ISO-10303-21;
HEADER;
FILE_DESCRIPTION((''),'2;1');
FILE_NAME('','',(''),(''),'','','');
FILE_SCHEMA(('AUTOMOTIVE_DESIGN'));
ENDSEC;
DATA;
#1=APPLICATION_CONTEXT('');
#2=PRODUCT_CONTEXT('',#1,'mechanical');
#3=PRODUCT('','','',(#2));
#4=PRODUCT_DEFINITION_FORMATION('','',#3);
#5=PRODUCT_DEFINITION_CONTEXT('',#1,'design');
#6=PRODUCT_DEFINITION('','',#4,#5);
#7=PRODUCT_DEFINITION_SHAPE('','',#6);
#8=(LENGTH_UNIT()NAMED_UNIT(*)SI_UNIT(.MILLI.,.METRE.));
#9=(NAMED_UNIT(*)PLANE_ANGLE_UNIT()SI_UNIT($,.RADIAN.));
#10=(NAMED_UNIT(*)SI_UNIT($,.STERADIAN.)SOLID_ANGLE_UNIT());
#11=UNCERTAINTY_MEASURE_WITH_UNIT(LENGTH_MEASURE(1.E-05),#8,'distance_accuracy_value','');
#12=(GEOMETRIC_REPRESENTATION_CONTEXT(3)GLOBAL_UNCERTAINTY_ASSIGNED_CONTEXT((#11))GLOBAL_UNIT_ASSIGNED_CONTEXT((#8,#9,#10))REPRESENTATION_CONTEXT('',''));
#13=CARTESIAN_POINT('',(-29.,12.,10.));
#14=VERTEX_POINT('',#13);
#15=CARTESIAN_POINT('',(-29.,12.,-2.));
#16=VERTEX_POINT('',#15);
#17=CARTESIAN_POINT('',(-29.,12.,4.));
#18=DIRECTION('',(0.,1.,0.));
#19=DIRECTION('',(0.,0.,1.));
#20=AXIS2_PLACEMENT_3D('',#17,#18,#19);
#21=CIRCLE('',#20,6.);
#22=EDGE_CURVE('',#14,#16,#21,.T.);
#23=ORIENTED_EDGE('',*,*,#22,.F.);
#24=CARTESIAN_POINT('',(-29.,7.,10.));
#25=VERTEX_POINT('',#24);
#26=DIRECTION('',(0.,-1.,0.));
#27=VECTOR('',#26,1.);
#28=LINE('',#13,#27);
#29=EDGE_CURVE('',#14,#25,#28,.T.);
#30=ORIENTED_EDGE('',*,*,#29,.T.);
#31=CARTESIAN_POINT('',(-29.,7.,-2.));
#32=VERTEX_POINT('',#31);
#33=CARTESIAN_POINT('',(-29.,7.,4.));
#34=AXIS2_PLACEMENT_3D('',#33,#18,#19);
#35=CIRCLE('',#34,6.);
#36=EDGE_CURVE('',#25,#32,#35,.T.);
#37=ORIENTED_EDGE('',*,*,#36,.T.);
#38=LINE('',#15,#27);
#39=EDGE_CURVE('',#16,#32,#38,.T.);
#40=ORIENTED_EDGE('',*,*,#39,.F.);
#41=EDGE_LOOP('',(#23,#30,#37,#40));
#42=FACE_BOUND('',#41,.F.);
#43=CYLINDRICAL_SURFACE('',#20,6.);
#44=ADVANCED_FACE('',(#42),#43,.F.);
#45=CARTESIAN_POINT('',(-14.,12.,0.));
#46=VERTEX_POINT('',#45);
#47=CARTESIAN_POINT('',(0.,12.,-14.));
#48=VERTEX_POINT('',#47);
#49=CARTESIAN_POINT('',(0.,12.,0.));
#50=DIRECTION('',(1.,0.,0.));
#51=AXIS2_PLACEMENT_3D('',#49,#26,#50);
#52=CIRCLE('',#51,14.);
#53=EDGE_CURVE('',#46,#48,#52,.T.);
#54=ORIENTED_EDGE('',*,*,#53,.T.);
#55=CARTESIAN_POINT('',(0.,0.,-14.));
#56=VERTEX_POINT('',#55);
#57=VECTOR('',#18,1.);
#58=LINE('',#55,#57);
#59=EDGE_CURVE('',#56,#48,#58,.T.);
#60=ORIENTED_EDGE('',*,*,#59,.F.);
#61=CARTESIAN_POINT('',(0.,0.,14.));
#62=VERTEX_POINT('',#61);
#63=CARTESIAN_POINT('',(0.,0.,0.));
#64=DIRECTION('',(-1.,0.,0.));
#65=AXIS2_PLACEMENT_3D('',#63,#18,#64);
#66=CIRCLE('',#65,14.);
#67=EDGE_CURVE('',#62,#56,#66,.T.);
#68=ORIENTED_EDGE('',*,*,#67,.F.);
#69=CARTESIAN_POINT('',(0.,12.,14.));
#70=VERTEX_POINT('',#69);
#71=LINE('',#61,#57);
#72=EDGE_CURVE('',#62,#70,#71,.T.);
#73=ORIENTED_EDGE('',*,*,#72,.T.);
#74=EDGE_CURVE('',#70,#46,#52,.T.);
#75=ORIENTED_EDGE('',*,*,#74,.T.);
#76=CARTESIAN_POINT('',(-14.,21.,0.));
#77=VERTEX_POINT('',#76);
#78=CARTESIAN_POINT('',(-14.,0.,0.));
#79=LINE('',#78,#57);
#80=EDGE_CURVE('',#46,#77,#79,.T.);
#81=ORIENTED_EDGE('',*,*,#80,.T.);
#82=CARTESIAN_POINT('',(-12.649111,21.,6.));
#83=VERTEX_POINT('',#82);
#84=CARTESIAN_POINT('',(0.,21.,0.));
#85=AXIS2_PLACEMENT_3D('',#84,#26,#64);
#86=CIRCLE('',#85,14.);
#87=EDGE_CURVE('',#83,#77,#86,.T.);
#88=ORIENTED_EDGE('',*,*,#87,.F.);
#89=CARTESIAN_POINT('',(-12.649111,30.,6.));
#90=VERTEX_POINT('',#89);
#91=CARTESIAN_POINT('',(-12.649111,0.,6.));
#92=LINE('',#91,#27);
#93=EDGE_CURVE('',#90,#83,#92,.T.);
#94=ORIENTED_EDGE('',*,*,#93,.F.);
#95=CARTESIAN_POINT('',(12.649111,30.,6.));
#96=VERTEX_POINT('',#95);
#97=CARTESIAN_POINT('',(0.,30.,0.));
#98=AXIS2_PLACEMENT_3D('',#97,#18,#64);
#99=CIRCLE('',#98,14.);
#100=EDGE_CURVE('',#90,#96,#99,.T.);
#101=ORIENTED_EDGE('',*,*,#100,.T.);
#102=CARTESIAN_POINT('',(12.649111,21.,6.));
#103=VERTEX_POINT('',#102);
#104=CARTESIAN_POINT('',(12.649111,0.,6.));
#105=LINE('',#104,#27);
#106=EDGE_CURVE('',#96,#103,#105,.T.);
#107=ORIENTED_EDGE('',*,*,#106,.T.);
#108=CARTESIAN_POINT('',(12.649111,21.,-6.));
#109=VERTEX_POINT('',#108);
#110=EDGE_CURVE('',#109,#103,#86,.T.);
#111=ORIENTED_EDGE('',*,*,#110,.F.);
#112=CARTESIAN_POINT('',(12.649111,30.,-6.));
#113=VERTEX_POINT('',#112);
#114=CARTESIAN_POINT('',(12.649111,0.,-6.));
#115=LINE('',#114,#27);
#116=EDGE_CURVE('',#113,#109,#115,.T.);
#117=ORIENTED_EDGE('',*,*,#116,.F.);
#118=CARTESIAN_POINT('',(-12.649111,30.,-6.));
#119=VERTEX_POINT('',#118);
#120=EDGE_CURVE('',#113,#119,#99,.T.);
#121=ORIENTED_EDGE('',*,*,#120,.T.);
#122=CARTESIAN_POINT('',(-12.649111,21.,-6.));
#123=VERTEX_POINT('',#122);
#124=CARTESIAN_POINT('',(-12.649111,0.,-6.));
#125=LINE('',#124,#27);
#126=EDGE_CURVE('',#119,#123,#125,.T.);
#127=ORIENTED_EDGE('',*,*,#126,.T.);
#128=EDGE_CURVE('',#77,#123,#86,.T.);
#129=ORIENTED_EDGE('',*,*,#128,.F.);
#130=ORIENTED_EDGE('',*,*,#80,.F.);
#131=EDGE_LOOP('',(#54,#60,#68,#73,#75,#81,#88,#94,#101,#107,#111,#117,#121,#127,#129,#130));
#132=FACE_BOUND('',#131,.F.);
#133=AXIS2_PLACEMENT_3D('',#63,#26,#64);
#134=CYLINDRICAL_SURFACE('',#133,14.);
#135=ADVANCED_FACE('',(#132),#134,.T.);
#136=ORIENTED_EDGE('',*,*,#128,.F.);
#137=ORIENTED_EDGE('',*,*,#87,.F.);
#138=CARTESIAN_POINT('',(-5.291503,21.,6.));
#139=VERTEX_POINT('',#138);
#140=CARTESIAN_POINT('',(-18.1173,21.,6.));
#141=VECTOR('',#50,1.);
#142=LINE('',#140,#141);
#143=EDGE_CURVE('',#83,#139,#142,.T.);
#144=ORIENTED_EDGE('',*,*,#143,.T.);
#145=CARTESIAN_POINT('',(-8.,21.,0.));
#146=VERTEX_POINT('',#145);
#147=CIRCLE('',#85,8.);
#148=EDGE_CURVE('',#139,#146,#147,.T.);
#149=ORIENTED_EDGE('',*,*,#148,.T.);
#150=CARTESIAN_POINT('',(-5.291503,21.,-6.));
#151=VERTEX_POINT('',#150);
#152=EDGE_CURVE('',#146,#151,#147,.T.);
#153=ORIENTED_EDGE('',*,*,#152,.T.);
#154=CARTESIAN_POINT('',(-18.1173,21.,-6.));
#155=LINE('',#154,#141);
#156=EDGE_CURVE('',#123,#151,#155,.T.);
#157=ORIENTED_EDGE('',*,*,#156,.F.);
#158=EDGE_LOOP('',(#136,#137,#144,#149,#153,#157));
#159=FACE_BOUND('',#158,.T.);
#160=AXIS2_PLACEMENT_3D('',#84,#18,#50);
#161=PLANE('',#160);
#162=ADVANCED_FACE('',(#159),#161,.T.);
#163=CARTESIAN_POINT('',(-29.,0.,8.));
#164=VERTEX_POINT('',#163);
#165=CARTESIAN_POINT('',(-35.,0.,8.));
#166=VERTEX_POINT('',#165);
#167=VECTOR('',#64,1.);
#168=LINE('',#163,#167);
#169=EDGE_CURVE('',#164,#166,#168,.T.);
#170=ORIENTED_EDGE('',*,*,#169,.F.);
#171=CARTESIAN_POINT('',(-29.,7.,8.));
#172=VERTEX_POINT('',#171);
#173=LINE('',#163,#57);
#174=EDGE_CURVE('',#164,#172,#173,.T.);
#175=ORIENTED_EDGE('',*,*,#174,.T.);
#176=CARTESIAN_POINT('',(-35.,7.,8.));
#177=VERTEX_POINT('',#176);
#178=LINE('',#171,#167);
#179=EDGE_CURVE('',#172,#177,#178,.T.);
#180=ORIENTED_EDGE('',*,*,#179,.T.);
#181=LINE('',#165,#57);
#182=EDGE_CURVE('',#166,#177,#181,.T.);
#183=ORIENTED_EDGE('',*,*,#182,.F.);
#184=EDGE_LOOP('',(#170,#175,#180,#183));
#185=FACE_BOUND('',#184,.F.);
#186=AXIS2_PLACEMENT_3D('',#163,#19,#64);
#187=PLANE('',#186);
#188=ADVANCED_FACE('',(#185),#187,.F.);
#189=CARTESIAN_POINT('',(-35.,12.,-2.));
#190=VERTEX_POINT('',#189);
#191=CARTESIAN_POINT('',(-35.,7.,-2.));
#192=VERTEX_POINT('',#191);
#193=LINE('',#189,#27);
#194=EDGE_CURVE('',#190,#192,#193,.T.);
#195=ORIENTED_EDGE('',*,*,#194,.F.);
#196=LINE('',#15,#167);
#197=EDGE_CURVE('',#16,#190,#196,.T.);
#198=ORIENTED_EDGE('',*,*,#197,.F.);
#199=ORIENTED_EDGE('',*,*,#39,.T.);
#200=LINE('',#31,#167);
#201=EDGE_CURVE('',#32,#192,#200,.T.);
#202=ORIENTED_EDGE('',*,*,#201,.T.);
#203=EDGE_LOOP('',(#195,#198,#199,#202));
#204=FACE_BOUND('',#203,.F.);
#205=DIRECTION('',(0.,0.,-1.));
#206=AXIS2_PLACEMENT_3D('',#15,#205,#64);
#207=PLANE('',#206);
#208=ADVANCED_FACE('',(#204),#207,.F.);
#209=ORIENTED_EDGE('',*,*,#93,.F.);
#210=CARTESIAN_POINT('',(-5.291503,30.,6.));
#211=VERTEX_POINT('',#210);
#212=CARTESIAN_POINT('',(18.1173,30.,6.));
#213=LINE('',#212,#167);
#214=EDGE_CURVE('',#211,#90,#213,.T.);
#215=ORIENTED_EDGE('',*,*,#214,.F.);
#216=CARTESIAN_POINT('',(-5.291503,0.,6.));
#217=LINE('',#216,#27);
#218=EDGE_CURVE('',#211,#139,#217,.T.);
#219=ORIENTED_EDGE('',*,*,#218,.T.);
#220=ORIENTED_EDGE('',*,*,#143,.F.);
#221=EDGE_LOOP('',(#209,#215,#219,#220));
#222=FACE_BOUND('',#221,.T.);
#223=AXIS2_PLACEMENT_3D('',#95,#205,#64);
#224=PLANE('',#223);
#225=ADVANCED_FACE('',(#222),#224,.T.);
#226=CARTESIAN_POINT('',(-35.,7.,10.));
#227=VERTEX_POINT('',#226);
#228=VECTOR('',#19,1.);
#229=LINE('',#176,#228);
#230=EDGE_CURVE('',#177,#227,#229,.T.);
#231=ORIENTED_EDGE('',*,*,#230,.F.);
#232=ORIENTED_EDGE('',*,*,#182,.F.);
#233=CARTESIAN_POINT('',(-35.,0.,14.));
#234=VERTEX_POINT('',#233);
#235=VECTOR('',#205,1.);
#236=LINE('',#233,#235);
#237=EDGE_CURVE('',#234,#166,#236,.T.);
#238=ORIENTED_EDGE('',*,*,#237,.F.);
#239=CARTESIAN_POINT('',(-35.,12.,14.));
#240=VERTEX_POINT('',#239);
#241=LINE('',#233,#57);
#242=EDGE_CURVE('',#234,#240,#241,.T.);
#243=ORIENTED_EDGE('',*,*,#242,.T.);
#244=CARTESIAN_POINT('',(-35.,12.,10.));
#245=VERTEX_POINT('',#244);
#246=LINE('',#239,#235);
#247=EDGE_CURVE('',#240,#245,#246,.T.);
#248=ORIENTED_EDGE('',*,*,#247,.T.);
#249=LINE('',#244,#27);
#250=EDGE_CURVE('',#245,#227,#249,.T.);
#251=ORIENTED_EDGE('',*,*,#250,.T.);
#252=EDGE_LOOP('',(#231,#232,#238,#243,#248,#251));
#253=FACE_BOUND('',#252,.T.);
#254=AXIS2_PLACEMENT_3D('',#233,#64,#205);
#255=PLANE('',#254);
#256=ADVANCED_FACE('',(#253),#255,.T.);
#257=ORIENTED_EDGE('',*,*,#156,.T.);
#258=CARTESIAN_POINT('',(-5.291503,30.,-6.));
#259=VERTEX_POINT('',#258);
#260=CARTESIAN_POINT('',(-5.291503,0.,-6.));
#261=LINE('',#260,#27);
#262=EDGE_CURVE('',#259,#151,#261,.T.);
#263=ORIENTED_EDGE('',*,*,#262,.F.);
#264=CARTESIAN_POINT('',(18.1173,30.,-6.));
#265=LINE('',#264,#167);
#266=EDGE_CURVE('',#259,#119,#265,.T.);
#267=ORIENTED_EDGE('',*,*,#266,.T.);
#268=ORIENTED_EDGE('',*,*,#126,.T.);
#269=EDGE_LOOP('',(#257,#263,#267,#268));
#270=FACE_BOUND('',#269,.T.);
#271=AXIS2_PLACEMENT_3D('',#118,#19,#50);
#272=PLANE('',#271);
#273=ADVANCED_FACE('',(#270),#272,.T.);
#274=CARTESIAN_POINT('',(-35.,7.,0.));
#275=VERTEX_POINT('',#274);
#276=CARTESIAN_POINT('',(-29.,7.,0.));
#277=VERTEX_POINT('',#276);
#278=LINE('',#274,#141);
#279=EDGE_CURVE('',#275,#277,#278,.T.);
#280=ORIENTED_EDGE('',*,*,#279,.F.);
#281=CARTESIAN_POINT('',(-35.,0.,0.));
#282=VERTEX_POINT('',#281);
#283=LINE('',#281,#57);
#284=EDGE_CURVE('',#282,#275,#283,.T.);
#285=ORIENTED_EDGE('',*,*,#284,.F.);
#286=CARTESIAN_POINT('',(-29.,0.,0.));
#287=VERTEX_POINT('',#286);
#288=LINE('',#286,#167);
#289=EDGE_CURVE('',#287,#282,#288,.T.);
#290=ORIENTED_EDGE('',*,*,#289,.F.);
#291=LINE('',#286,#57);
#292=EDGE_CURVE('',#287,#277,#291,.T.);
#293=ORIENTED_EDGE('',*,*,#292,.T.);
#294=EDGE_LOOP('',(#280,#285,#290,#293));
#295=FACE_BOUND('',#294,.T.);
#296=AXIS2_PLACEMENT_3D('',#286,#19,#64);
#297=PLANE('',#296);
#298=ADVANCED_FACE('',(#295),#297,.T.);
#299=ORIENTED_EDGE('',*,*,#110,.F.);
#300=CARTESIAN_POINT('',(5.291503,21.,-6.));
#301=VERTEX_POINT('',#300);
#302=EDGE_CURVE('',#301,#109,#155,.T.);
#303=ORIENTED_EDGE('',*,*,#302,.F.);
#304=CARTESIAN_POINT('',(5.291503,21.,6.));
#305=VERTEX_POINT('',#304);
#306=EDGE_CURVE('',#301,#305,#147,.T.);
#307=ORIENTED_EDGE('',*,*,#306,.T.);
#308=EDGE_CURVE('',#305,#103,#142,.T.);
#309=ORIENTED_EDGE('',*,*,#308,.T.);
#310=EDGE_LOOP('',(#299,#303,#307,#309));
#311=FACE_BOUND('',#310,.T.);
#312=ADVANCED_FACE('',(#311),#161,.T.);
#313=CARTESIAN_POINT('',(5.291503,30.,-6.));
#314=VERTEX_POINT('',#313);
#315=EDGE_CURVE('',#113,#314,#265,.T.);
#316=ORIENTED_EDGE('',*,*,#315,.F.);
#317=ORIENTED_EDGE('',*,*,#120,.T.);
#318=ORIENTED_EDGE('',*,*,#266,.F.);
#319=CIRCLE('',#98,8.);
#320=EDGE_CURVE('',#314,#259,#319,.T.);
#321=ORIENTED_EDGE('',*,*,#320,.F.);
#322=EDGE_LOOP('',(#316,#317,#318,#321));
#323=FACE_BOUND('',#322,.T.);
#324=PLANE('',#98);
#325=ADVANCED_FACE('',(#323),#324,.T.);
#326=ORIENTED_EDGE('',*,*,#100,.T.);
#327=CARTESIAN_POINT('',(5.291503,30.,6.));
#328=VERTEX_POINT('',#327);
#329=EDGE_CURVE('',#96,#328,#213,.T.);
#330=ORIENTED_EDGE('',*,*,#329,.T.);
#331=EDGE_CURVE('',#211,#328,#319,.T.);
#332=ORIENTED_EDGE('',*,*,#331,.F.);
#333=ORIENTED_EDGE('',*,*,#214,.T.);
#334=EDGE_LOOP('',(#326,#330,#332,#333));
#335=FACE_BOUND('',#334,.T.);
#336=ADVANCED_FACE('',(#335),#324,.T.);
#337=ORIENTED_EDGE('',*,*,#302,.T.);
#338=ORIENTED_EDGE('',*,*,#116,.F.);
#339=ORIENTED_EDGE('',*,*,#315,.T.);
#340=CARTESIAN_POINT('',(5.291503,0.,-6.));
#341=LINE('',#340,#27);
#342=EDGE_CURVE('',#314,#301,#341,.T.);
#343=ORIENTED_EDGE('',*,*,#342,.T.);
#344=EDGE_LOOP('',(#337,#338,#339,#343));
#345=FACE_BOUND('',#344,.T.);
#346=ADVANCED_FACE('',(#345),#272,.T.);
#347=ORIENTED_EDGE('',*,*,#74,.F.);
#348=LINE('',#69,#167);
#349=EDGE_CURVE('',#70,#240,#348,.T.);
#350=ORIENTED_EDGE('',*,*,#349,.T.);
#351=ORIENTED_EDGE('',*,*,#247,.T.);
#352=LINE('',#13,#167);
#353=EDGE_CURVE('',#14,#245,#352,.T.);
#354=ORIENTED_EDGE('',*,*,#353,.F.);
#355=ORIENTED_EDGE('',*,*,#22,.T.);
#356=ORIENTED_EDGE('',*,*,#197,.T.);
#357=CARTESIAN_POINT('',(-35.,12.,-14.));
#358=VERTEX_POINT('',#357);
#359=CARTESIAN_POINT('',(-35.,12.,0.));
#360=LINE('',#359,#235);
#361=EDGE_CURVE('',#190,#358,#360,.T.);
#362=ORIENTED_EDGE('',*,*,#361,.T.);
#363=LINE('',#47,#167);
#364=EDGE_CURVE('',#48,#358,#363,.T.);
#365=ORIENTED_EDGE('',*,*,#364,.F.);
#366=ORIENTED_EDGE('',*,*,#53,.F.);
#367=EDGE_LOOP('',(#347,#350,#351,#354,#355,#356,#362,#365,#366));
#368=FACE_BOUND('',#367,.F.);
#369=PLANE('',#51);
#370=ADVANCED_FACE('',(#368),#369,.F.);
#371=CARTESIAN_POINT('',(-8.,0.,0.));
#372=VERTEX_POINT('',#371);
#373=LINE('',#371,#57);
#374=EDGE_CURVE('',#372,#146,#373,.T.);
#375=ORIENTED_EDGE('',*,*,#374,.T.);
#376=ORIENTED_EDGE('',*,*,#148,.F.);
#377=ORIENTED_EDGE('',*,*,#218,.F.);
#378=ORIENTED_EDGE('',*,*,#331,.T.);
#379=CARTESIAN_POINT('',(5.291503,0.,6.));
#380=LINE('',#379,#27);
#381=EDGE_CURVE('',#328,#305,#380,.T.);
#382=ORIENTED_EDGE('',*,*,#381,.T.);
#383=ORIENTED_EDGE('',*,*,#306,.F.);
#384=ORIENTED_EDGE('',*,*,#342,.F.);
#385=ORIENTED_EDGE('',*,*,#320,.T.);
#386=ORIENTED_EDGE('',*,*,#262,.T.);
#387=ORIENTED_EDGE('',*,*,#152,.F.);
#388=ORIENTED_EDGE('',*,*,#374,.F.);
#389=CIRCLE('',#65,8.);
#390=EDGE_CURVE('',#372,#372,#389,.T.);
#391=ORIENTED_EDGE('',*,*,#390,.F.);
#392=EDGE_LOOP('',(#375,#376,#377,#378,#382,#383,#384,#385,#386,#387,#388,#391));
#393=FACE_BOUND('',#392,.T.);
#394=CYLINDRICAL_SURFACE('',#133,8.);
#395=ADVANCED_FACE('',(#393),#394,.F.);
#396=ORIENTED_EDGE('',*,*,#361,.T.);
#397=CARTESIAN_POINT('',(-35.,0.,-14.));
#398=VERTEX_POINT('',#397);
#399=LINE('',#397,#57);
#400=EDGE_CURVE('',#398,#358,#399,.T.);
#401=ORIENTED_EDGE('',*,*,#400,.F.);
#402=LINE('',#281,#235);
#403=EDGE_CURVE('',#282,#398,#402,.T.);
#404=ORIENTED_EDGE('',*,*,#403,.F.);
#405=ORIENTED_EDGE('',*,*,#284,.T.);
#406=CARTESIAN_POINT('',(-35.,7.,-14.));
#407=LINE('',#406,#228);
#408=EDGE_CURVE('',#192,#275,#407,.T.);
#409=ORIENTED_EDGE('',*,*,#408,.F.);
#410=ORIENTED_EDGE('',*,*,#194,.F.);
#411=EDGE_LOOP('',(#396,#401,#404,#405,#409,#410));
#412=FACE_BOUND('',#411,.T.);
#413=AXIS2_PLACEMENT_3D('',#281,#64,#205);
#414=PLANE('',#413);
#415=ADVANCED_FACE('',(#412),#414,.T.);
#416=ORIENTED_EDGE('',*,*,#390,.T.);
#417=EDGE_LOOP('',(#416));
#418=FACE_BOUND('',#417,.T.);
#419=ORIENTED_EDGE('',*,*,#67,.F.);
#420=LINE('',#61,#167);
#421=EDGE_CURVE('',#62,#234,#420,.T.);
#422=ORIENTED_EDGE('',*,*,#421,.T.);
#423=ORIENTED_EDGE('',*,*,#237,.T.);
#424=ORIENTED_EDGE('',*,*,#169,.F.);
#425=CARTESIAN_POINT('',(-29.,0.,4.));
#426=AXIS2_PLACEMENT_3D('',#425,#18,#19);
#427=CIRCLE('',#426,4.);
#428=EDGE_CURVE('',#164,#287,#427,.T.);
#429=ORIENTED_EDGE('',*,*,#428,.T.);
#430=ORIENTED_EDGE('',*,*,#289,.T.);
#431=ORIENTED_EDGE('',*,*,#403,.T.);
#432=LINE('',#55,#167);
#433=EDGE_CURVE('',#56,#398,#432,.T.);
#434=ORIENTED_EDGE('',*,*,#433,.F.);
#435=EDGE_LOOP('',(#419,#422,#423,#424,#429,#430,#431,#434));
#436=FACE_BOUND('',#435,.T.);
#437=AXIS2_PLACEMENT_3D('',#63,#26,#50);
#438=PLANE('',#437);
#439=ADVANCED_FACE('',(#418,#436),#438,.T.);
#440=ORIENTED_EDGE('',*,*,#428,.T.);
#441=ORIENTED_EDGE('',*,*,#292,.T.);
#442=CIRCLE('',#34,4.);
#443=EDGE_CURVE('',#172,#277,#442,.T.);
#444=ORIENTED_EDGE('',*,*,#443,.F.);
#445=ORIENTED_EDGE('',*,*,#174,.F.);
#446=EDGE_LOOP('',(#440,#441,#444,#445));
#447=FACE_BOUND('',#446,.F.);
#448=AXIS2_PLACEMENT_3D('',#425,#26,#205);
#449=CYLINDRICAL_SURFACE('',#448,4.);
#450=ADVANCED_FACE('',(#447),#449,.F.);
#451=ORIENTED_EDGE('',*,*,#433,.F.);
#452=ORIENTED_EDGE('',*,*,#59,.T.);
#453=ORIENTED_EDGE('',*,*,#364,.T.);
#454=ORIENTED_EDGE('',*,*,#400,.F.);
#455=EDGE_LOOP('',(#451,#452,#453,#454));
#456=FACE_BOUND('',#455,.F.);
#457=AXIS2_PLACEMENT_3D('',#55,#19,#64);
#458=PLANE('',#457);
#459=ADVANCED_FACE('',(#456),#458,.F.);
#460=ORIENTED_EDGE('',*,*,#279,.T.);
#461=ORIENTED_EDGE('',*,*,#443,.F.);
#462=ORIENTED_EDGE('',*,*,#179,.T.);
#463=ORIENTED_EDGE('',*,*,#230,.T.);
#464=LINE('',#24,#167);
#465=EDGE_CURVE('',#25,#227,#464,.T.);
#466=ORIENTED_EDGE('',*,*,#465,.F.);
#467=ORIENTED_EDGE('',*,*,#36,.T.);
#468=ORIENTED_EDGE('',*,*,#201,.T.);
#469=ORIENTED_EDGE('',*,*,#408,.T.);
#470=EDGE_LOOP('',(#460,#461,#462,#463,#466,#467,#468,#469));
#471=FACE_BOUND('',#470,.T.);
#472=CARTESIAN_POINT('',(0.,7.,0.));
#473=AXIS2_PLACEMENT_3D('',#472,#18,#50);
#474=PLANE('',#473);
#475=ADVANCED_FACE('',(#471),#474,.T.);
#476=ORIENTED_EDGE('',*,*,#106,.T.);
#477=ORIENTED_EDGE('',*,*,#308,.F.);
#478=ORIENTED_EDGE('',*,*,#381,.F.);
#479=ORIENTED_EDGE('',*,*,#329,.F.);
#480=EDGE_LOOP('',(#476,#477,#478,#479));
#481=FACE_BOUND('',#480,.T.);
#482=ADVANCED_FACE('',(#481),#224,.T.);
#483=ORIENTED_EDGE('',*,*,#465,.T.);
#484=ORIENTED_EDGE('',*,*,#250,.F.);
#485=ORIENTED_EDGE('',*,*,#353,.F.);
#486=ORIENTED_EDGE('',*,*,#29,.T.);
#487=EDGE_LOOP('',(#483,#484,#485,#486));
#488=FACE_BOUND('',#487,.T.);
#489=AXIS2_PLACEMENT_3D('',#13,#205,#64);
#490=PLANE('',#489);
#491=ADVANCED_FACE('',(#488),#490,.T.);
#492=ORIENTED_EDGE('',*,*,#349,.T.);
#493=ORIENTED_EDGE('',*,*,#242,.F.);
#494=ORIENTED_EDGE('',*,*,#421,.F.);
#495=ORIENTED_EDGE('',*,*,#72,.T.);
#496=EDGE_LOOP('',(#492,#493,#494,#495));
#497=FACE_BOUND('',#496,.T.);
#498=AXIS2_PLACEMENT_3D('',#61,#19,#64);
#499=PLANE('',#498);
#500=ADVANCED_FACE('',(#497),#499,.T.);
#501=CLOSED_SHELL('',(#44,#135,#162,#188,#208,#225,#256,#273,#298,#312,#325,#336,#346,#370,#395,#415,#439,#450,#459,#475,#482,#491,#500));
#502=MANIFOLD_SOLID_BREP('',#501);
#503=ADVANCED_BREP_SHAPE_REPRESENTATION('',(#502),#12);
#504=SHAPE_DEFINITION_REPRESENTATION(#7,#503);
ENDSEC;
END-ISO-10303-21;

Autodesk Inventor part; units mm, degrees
ref_plane "YZ Plane" through (0, 0, 0) normal (1, 0, 0) x (0, 1, 0)
ref_plane "XZ Plane" through (0, 0, 0) normal (0, 1, 0) x (-1, 0, 0)
ref_plane "XY Plane" through (0, 0, 0) normal (0, 0, 1) x (1, 0, 0)
sketch "草图1" plane through (0, 0, 0) normal (0, 1, 0) x (-1, 0, 0)
  circle A0 centre (0, 0) radius 8
  circle A1 centre (0, 0) radius 14
  dimension "d0" = 16
  dimension "d1" = 28
extrude "拉伸1" add sketch "草图1" along normal blind 30
sketch "草图2" plane through (0, 30, 0) normal (0, 1, 0) x (1, 0, 0)
  circle A0 centre (0, 0) radius 14 projected
  line L0 (18.1173, -6) -> (-18.1173, -6)
  line L1 (-18.1173, -6) -> (-18.1173, 6)
  line L2 (-18.1173, 6) -> (18.1173, 6)
  line L3 (18.1173, 6) -> (18.1173, -6)
  line L4 (18.1173, -6) -> (-18.1173, 6) construction
  line L5 (-18.1173, -6) -> (18.1173, 6) construction
  dimension "d4" = 12
  dimension "d5" = 36.2346
extrude "拉伸2" cut sketch "草图2" against normal blind 9 contours A0 L0 L2 | A0 L2 L3 L0 | A0 L0 L1 L2
sketch "草图3" plane through (0, 0, 0) normal (0, -1, 0) x (1, 0, 0)
  circle A0 centre (0, 0) radius 14 projected
  line L0 (0, 14) -> (-35, 14)
  line L1 (0, -14) -> (-35, -14)
  line L2 (-41.9506, 4) -> (-20.5959, 4)
  arc A1 (-29, 0) -> (-29, 8) centre (-29, 4) ccw
  line L3 (-29, 8) -> (-35, 8)
  line L4 (-29, 0) -> (-35, 0)
  line L5 (-35, 14) -> (-35, 8)
  line L6 (-35, 0) -> (-35, -14)
  dimension "d8" = 8
  dimension "d9" = 35
  dimension "d10" = 35
  dimension "d11" = 6
  dimension "d12" = 6
sketch "草图4" plane through (0, 0, 0) normal (0, -1, 0) x (1, 0, 0)
  circle A0 centre (0, 0) radius 8 projected
  circle A1 centre (0, 0) radius 14 projected
extrude "拉伸3" add sketch "草图3" against normal blind 12 contours A0 L1 L6 L4 A1 L3 L5 L0
sketch "草图5" plane through (0, 12, 0) normal (0, 1, 0) x (1, 0, 0)
  line L0 (-35, 14) -> (-35, 0) projected
  line L1 (-35, 0) -> (-29, 0) projected
  arc A0 (-29, -8) -> (-29, 0) centre (-29, -4) ccw projected
  line L2 (-29, -8) -> (-35, -8) projected
  line L3 (-35, -8) -> (-35, -14) projected
  arc A1 (-29, -10) -> (-29, 2) centre (-29, -4) ccw
  line L4 (-29, 2) -> (-35, 2)
  line L5 (-29, -10) -> (-35, -10)
  dimension "d15" = 12
extrude "拉伸4" cut sketch "草图5" against normal blind 5
